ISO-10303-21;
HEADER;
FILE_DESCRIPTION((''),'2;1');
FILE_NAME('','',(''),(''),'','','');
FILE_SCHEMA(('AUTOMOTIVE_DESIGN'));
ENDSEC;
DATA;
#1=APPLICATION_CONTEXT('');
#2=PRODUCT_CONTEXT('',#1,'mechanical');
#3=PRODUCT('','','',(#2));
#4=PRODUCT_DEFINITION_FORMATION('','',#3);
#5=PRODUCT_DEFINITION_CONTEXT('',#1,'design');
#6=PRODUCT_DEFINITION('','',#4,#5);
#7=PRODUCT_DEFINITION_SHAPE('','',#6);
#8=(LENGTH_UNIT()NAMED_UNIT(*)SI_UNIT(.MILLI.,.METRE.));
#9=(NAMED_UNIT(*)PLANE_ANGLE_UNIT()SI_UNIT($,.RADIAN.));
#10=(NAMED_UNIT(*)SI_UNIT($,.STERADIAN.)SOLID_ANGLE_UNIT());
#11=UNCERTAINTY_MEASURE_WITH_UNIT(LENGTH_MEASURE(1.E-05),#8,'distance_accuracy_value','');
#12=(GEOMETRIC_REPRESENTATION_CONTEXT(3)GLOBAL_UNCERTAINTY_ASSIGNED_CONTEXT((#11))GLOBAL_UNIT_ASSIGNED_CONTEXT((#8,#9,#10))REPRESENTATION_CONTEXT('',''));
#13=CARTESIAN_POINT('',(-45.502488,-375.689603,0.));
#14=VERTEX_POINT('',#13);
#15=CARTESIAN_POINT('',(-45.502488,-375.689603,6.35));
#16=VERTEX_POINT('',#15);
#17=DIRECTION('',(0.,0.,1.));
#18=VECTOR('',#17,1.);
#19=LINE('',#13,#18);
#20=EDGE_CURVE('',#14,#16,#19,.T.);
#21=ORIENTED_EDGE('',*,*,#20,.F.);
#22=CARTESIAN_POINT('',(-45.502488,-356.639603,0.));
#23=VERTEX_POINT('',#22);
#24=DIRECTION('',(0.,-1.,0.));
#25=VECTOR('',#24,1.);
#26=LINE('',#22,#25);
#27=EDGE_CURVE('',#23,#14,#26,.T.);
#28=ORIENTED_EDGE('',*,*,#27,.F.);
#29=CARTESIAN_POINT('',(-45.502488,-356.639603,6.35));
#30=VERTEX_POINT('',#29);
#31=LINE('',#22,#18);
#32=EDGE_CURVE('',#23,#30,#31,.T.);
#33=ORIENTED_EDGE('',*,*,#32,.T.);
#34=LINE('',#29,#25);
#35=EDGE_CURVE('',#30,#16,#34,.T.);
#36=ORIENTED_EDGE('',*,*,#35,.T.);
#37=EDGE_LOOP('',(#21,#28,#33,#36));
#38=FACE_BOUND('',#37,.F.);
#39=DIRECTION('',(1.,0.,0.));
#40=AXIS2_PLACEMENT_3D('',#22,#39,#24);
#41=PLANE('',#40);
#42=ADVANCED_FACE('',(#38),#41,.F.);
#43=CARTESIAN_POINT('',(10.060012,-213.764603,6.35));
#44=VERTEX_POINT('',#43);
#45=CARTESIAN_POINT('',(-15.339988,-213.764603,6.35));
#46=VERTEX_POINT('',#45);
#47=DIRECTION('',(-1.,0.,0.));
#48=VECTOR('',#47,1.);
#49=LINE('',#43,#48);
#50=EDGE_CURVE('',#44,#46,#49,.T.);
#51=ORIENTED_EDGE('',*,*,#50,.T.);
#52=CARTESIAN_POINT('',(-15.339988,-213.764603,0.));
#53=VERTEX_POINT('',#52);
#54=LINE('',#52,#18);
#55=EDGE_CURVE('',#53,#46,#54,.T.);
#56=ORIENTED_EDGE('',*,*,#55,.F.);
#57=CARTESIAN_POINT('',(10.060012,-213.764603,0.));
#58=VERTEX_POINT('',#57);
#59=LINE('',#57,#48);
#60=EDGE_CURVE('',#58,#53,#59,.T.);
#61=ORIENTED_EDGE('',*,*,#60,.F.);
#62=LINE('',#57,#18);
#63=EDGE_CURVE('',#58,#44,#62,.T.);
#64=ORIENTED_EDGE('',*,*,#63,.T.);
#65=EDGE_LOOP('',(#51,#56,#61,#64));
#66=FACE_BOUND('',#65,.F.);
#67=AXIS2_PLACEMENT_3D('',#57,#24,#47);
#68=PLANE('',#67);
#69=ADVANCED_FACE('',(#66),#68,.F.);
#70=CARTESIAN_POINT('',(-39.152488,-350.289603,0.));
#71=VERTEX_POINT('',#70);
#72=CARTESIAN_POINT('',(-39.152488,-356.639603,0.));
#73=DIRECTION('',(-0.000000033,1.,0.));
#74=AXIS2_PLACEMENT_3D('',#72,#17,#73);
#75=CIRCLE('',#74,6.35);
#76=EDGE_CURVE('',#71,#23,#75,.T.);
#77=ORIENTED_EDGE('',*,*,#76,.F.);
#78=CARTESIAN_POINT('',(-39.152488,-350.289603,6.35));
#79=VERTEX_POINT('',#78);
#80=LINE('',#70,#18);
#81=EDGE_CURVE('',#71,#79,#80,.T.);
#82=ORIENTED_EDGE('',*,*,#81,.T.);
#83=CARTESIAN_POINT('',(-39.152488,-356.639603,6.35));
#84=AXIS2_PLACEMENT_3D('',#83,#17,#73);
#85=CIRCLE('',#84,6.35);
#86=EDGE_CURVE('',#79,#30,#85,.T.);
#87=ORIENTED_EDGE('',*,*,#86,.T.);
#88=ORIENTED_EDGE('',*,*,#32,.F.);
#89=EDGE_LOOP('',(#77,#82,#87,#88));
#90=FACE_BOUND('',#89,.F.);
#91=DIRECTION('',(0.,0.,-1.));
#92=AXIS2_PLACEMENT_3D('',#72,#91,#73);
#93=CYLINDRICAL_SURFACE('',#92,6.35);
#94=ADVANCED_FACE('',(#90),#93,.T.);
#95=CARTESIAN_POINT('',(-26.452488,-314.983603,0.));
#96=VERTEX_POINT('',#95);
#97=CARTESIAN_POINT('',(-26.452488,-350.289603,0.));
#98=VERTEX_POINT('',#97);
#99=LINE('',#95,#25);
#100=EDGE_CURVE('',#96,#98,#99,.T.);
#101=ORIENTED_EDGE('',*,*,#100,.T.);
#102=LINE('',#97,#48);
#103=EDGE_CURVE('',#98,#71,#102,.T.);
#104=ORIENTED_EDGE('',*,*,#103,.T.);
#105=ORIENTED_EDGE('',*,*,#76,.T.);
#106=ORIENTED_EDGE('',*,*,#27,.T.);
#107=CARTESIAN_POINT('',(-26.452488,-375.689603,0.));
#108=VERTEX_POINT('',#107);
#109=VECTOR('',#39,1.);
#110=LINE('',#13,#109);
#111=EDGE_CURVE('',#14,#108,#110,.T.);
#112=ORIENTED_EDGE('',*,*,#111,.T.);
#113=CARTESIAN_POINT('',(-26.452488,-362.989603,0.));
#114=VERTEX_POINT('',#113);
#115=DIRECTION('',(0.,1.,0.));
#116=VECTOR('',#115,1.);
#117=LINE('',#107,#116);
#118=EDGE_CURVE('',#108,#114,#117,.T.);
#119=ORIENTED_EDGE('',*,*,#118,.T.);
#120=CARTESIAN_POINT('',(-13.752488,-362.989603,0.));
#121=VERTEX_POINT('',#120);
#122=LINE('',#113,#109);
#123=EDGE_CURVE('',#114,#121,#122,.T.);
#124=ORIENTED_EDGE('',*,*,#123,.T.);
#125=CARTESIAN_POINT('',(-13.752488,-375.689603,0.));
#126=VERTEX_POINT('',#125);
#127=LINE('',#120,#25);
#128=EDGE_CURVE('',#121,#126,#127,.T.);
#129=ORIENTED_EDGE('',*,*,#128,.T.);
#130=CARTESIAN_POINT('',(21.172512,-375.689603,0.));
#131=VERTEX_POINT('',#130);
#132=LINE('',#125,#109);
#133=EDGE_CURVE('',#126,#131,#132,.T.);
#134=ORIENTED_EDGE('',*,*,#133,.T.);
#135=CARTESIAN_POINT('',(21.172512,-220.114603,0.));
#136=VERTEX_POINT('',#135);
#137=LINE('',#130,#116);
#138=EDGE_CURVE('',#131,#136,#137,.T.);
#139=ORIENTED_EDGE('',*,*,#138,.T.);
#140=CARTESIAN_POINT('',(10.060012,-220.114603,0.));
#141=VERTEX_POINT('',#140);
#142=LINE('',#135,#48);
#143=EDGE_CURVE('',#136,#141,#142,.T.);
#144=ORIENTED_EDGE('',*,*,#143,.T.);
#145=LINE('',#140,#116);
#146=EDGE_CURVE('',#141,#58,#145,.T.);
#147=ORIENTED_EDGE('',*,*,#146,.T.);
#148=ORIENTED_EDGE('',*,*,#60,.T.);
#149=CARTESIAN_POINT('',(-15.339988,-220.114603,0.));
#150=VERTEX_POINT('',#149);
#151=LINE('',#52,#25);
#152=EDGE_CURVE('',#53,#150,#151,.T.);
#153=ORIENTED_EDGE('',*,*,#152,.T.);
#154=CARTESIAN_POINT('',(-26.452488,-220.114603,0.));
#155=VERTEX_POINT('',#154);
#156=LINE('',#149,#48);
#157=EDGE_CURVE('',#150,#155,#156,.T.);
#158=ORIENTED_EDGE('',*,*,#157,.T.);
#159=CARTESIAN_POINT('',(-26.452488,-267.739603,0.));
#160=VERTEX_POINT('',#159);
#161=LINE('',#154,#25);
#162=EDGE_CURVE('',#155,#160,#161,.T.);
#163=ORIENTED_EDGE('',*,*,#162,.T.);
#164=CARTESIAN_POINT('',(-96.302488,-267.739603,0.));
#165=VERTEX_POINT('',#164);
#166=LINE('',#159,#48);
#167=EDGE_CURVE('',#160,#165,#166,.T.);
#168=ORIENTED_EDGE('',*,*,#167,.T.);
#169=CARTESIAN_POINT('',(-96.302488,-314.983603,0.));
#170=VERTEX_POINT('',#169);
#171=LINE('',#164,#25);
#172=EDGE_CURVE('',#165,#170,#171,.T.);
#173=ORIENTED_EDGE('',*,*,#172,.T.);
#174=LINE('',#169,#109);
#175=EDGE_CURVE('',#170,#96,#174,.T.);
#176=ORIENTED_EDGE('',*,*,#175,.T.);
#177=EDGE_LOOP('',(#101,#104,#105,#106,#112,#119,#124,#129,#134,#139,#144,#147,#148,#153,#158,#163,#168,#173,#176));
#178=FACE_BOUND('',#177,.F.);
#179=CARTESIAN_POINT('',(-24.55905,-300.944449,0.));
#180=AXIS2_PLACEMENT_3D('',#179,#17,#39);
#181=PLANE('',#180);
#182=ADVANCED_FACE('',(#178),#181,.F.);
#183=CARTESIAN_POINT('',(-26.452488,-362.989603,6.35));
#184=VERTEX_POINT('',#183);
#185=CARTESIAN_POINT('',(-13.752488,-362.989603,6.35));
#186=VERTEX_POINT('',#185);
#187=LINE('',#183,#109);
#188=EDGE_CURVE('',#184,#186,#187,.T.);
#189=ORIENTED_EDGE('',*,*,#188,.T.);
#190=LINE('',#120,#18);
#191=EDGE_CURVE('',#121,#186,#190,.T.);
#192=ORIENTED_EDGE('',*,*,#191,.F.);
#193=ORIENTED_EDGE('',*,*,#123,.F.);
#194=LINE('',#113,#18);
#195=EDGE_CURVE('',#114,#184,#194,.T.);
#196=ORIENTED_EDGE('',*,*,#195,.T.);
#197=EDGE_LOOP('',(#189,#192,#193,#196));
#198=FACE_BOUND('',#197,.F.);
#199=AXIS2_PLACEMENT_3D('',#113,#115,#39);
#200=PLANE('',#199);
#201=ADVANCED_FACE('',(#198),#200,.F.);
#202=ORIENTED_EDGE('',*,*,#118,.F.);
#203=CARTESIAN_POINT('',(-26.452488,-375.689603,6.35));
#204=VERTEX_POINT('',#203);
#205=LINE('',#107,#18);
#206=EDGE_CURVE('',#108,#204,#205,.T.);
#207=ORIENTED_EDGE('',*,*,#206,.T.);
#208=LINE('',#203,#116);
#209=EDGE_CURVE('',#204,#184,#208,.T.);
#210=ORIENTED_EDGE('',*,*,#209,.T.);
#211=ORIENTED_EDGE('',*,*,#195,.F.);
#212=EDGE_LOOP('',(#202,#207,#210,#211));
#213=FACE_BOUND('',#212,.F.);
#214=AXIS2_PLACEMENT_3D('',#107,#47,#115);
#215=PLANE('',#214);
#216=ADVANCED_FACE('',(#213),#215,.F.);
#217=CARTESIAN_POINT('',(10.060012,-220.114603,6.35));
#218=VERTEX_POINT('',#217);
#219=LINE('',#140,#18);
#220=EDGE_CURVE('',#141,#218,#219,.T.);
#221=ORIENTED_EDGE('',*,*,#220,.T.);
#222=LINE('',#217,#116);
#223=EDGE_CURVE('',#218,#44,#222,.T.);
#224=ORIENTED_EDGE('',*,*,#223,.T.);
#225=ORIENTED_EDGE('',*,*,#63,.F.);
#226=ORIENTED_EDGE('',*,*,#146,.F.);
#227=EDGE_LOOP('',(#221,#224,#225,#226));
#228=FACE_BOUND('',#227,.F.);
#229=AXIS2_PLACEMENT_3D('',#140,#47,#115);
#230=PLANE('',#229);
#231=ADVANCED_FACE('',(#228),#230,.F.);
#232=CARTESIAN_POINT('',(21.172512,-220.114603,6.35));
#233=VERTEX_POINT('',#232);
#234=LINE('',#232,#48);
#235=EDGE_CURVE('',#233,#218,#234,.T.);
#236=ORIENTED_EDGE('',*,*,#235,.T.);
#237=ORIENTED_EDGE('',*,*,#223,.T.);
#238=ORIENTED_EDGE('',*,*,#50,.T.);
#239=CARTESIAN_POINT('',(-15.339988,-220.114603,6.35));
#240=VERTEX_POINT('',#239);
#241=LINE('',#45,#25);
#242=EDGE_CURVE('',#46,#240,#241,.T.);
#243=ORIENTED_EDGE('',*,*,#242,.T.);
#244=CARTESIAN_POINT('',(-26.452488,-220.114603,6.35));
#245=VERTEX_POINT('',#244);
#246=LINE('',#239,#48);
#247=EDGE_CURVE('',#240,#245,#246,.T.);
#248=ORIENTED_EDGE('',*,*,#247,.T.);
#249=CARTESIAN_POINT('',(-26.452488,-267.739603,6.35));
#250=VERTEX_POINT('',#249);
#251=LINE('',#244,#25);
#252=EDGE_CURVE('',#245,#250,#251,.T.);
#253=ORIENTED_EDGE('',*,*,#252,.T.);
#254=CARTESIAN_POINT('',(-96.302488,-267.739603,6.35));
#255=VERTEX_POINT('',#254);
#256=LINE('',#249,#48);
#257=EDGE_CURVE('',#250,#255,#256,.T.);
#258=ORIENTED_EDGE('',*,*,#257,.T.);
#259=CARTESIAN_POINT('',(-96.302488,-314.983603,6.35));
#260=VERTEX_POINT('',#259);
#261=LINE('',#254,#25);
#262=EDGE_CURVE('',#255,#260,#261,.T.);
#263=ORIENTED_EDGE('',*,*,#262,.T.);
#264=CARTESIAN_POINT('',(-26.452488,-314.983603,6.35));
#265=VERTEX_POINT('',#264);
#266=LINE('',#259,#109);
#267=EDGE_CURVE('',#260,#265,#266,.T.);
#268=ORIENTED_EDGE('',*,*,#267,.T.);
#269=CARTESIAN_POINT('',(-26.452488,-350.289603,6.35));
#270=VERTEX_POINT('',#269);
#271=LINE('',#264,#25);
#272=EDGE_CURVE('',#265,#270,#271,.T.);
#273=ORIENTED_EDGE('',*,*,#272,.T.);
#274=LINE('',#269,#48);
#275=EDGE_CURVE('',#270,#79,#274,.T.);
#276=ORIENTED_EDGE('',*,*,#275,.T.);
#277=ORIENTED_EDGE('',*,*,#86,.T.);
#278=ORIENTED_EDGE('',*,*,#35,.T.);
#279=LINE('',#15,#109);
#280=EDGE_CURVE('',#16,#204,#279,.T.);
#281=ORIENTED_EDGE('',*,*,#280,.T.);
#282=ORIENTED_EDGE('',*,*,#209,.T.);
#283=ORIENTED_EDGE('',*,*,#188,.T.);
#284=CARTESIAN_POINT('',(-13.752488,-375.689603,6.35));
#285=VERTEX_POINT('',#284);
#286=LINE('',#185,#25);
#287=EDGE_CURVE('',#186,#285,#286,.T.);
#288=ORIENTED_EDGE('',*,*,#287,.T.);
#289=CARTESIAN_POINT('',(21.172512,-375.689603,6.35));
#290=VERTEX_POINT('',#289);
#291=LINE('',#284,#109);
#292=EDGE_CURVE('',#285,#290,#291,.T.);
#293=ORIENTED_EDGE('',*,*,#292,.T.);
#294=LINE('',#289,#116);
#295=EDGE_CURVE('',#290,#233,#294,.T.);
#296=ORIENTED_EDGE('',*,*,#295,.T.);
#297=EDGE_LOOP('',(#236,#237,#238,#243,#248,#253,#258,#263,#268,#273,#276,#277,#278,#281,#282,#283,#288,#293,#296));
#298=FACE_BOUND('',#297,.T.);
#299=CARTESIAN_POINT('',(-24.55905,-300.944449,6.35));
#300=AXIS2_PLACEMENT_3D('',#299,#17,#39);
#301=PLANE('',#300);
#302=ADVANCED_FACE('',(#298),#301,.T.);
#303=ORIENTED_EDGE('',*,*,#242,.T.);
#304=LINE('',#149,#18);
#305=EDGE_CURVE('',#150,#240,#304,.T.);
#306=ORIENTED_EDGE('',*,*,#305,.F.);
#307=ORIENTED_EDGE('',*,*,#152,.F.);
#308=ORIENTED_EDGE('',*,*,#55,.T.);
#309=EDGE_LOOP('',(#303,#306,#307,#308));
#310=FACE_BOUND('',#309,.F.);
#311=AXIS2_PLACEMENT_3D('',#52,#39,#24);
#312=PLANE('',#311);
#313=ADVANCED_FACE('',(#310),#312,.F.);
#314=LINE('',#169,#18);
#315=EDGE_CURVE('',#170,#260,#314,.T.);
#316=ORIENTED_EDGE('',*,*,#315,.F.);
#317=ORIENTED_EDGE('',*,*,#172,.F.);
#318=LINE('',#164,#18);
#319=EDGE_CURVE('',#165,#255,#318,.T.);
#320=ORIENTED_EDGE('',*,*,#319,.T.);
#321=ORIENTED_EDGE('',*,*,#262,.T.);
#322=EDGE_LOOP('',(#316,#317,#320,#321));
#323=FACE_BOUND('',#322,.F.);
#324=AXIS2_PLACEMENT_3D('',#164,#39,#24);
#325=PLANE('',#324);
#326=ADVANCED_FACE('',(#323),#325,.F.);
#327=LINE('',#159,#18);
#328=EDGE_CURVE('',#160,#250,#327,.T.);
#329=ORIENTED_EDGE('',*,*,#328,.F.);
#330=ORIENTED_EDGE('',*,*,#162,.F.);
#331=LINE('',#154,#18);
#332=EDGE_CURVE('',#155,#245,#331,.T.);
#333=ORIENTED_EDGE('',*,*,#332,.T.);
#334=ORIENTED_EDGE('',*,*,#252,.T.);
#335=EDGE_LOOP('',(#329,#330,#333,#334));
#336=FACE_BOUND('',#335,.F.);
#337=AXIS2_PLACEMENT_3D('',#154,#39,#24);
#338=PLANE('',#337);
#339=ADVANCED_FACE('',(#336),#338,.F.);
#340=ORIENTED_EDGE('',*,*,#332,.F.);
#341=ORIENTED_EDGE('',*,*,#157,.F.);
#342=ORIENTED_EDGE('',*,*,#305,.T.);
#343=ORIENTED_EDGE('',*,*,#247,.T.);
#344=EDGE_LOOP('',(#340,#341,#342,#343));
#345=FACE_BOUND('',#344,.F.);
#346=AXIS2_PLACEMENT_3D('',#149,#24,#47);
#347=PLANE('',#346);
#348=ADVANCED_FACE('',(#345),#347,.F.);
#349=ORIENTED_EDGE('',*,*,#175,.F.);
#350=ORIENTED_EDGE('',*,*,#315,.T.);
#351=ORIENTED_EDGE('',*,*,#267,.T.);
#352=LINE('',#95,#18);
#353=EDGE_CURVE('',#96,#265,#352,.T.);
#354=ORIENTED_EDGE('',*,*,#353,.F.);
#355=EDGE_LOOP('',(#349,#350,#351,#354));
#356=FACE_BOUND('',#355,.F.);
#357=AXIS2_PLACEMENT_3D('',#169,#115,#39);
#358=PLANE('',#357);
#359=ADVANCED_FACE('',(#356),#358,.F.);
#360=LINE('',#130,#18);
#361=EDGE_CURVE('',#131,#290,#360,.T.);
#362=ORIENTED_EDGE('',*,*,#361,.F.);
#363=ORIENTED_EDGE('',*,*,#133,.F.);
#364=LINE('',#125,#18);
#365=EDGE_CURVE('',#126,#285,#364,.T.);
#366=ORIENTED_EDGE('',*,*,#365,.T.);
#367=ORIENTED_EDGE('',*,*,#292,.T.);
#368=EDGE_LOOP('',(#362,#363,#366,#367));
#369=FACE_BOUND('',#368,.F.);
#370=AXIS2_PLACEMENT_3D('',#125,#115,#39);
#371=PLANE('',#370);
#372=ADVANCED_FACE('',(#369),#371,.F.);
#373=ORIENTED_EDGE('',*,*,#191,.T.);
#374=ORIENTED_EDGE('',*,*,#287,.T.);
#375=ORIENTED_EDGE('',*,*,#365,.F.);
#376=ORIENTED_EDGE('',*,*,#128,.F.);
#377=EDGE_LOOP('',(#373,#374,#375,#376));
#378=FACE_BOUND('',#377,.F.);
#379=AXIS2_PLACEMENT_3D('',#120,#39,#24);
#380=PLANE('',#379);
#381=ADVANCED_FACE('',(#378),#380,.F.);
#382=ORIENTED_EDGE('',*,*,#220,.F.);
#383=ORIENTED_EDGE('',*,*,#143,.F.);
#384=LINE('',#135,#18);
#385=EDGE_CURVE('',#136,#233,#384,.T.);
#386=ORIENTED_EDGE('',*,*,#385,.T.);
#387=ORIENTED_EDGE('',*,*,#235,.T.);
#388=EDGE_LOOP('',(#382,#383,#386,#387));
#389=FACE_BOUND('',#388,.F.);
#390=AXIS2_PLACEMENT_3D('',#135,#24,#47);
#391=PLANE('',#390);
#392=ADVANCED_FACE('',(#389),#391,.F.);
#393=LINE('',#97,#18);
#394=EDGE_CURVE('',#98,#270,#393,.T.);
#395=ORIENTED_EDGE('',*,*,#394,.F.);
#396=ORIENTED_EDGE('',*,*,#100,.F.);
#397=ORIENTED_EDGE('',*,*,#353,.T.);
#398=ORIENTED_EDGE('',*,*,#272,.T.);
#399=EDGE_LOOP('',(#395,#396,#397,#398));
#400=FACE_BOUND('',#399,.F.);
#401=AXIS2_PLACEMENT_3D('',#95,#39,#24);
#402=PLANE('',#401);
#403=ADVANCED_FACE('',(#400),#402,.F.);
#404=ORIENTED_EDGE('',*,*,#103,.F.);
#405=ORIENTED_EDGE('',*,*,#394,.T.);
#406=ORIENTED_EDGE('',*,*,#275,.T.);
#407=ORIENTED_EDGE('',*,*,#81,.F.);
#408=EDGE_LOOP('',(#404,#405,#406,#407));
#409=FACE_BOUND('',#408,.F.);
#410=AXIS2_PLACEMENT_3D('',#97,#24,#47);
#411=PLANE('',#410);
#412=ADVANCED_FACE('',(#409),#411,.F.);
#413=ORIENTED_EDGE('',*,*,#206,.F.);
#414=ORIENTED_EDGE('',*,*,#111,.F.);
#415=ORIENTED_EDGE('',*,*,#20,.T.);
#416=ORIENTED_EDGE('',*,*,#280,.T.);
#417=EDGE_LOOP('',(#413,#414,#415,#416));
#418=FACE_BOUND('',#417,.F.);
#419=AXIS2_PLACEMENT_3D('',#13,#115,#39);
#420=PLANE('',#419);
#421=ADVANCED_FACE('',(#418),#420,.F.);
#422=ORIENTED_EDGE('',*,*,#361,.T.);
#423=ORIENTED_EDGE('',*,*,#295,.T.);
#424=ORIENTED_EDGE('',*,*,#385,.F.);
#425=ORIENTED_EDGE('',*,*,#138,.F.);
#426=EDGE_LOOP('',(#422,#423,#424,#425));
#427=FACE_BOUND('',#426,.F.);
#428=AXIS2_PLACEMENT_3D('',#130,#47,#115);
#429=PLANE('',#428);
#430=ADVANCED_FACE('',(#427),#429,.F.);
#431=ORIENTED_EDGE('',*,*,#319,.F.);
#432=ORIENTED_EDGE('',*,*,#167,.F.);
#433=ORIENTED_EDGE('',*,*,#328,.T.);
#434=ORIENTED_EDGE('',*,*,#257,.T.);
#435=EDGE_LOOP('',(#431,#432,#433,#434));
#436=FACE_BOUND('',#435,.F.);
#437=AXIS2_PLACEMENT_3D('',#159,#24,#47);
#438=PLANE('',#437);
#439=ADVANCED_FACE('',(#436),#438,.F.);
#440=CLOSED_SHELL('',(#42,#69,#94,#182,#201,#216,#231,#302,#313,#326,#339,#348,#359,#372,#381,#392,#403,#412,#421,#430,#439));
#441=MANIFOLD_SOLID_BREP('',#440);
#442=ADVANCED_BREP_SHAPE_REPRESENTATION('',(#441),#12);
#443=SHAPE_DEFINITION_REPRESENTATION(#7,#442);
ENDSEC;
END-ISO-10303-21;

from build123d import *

# Parameters (mm, degrees)
F1_DEPTH = 6.35


with BuildPart() as f1:
    # F0 (on Top) → F1 (new body)
    with BuildSketch(Plane.XY):
        with BuildLine():
            Line((21.172512, -375.689603), (21.172512, -220.114603))
            Line((21.172512, -220.114603), (10.060012, -220.114603))
            Line((10.060012, -220.114603), (10.060012, -213.764603))
            Line((10.060012, -213.764603), (-15.339988, -213.764603))
            Line((-15.339988, -213.764603), (-15.339988, -220.114603))
            Line((-15.339988, -220.114603), (-26.452488, -220.114603))
            Line((-26.452488, -220.114603), (-26.452488, -267.739603))
            Line((-26.452488, -267.739603), (-96.302488, -267.739603))
            Line((-96.302488, -267.739603), (-96.302488, -314.983603))
            Line((-96.302488, -314.983603), (-26.452488, -314.983603))
            Line((-26.452488, -314.983603), (-26.452488, -350.289603))
            Line((-26.452488, -350.289603), (-39.152488, -350.289603))
            ThreePointArc((-39.152488, -350.289603), (-43.642616, -352.149475), (-45.502488, -356.639603))
            Line((-45.502488, -356.639603), (-45.502488, -375.689603))
            Line((-45.502488, -375.689603), (-26.452488, -375.689603))
            Line((-26.452488, -375.689603), (-26.452488, -362.989603))
            Line((-26.452488, -362.989603), (-13.752488, -362.989603))
            Line((-13.752488, -362.989603), (-13.752488, -375.689603))
            Line((-13.752488, -375.689603), (21.172512, -375.689603))
        make_face()
    extrude(amount=F1_DEPTH)


solid = f1.part
